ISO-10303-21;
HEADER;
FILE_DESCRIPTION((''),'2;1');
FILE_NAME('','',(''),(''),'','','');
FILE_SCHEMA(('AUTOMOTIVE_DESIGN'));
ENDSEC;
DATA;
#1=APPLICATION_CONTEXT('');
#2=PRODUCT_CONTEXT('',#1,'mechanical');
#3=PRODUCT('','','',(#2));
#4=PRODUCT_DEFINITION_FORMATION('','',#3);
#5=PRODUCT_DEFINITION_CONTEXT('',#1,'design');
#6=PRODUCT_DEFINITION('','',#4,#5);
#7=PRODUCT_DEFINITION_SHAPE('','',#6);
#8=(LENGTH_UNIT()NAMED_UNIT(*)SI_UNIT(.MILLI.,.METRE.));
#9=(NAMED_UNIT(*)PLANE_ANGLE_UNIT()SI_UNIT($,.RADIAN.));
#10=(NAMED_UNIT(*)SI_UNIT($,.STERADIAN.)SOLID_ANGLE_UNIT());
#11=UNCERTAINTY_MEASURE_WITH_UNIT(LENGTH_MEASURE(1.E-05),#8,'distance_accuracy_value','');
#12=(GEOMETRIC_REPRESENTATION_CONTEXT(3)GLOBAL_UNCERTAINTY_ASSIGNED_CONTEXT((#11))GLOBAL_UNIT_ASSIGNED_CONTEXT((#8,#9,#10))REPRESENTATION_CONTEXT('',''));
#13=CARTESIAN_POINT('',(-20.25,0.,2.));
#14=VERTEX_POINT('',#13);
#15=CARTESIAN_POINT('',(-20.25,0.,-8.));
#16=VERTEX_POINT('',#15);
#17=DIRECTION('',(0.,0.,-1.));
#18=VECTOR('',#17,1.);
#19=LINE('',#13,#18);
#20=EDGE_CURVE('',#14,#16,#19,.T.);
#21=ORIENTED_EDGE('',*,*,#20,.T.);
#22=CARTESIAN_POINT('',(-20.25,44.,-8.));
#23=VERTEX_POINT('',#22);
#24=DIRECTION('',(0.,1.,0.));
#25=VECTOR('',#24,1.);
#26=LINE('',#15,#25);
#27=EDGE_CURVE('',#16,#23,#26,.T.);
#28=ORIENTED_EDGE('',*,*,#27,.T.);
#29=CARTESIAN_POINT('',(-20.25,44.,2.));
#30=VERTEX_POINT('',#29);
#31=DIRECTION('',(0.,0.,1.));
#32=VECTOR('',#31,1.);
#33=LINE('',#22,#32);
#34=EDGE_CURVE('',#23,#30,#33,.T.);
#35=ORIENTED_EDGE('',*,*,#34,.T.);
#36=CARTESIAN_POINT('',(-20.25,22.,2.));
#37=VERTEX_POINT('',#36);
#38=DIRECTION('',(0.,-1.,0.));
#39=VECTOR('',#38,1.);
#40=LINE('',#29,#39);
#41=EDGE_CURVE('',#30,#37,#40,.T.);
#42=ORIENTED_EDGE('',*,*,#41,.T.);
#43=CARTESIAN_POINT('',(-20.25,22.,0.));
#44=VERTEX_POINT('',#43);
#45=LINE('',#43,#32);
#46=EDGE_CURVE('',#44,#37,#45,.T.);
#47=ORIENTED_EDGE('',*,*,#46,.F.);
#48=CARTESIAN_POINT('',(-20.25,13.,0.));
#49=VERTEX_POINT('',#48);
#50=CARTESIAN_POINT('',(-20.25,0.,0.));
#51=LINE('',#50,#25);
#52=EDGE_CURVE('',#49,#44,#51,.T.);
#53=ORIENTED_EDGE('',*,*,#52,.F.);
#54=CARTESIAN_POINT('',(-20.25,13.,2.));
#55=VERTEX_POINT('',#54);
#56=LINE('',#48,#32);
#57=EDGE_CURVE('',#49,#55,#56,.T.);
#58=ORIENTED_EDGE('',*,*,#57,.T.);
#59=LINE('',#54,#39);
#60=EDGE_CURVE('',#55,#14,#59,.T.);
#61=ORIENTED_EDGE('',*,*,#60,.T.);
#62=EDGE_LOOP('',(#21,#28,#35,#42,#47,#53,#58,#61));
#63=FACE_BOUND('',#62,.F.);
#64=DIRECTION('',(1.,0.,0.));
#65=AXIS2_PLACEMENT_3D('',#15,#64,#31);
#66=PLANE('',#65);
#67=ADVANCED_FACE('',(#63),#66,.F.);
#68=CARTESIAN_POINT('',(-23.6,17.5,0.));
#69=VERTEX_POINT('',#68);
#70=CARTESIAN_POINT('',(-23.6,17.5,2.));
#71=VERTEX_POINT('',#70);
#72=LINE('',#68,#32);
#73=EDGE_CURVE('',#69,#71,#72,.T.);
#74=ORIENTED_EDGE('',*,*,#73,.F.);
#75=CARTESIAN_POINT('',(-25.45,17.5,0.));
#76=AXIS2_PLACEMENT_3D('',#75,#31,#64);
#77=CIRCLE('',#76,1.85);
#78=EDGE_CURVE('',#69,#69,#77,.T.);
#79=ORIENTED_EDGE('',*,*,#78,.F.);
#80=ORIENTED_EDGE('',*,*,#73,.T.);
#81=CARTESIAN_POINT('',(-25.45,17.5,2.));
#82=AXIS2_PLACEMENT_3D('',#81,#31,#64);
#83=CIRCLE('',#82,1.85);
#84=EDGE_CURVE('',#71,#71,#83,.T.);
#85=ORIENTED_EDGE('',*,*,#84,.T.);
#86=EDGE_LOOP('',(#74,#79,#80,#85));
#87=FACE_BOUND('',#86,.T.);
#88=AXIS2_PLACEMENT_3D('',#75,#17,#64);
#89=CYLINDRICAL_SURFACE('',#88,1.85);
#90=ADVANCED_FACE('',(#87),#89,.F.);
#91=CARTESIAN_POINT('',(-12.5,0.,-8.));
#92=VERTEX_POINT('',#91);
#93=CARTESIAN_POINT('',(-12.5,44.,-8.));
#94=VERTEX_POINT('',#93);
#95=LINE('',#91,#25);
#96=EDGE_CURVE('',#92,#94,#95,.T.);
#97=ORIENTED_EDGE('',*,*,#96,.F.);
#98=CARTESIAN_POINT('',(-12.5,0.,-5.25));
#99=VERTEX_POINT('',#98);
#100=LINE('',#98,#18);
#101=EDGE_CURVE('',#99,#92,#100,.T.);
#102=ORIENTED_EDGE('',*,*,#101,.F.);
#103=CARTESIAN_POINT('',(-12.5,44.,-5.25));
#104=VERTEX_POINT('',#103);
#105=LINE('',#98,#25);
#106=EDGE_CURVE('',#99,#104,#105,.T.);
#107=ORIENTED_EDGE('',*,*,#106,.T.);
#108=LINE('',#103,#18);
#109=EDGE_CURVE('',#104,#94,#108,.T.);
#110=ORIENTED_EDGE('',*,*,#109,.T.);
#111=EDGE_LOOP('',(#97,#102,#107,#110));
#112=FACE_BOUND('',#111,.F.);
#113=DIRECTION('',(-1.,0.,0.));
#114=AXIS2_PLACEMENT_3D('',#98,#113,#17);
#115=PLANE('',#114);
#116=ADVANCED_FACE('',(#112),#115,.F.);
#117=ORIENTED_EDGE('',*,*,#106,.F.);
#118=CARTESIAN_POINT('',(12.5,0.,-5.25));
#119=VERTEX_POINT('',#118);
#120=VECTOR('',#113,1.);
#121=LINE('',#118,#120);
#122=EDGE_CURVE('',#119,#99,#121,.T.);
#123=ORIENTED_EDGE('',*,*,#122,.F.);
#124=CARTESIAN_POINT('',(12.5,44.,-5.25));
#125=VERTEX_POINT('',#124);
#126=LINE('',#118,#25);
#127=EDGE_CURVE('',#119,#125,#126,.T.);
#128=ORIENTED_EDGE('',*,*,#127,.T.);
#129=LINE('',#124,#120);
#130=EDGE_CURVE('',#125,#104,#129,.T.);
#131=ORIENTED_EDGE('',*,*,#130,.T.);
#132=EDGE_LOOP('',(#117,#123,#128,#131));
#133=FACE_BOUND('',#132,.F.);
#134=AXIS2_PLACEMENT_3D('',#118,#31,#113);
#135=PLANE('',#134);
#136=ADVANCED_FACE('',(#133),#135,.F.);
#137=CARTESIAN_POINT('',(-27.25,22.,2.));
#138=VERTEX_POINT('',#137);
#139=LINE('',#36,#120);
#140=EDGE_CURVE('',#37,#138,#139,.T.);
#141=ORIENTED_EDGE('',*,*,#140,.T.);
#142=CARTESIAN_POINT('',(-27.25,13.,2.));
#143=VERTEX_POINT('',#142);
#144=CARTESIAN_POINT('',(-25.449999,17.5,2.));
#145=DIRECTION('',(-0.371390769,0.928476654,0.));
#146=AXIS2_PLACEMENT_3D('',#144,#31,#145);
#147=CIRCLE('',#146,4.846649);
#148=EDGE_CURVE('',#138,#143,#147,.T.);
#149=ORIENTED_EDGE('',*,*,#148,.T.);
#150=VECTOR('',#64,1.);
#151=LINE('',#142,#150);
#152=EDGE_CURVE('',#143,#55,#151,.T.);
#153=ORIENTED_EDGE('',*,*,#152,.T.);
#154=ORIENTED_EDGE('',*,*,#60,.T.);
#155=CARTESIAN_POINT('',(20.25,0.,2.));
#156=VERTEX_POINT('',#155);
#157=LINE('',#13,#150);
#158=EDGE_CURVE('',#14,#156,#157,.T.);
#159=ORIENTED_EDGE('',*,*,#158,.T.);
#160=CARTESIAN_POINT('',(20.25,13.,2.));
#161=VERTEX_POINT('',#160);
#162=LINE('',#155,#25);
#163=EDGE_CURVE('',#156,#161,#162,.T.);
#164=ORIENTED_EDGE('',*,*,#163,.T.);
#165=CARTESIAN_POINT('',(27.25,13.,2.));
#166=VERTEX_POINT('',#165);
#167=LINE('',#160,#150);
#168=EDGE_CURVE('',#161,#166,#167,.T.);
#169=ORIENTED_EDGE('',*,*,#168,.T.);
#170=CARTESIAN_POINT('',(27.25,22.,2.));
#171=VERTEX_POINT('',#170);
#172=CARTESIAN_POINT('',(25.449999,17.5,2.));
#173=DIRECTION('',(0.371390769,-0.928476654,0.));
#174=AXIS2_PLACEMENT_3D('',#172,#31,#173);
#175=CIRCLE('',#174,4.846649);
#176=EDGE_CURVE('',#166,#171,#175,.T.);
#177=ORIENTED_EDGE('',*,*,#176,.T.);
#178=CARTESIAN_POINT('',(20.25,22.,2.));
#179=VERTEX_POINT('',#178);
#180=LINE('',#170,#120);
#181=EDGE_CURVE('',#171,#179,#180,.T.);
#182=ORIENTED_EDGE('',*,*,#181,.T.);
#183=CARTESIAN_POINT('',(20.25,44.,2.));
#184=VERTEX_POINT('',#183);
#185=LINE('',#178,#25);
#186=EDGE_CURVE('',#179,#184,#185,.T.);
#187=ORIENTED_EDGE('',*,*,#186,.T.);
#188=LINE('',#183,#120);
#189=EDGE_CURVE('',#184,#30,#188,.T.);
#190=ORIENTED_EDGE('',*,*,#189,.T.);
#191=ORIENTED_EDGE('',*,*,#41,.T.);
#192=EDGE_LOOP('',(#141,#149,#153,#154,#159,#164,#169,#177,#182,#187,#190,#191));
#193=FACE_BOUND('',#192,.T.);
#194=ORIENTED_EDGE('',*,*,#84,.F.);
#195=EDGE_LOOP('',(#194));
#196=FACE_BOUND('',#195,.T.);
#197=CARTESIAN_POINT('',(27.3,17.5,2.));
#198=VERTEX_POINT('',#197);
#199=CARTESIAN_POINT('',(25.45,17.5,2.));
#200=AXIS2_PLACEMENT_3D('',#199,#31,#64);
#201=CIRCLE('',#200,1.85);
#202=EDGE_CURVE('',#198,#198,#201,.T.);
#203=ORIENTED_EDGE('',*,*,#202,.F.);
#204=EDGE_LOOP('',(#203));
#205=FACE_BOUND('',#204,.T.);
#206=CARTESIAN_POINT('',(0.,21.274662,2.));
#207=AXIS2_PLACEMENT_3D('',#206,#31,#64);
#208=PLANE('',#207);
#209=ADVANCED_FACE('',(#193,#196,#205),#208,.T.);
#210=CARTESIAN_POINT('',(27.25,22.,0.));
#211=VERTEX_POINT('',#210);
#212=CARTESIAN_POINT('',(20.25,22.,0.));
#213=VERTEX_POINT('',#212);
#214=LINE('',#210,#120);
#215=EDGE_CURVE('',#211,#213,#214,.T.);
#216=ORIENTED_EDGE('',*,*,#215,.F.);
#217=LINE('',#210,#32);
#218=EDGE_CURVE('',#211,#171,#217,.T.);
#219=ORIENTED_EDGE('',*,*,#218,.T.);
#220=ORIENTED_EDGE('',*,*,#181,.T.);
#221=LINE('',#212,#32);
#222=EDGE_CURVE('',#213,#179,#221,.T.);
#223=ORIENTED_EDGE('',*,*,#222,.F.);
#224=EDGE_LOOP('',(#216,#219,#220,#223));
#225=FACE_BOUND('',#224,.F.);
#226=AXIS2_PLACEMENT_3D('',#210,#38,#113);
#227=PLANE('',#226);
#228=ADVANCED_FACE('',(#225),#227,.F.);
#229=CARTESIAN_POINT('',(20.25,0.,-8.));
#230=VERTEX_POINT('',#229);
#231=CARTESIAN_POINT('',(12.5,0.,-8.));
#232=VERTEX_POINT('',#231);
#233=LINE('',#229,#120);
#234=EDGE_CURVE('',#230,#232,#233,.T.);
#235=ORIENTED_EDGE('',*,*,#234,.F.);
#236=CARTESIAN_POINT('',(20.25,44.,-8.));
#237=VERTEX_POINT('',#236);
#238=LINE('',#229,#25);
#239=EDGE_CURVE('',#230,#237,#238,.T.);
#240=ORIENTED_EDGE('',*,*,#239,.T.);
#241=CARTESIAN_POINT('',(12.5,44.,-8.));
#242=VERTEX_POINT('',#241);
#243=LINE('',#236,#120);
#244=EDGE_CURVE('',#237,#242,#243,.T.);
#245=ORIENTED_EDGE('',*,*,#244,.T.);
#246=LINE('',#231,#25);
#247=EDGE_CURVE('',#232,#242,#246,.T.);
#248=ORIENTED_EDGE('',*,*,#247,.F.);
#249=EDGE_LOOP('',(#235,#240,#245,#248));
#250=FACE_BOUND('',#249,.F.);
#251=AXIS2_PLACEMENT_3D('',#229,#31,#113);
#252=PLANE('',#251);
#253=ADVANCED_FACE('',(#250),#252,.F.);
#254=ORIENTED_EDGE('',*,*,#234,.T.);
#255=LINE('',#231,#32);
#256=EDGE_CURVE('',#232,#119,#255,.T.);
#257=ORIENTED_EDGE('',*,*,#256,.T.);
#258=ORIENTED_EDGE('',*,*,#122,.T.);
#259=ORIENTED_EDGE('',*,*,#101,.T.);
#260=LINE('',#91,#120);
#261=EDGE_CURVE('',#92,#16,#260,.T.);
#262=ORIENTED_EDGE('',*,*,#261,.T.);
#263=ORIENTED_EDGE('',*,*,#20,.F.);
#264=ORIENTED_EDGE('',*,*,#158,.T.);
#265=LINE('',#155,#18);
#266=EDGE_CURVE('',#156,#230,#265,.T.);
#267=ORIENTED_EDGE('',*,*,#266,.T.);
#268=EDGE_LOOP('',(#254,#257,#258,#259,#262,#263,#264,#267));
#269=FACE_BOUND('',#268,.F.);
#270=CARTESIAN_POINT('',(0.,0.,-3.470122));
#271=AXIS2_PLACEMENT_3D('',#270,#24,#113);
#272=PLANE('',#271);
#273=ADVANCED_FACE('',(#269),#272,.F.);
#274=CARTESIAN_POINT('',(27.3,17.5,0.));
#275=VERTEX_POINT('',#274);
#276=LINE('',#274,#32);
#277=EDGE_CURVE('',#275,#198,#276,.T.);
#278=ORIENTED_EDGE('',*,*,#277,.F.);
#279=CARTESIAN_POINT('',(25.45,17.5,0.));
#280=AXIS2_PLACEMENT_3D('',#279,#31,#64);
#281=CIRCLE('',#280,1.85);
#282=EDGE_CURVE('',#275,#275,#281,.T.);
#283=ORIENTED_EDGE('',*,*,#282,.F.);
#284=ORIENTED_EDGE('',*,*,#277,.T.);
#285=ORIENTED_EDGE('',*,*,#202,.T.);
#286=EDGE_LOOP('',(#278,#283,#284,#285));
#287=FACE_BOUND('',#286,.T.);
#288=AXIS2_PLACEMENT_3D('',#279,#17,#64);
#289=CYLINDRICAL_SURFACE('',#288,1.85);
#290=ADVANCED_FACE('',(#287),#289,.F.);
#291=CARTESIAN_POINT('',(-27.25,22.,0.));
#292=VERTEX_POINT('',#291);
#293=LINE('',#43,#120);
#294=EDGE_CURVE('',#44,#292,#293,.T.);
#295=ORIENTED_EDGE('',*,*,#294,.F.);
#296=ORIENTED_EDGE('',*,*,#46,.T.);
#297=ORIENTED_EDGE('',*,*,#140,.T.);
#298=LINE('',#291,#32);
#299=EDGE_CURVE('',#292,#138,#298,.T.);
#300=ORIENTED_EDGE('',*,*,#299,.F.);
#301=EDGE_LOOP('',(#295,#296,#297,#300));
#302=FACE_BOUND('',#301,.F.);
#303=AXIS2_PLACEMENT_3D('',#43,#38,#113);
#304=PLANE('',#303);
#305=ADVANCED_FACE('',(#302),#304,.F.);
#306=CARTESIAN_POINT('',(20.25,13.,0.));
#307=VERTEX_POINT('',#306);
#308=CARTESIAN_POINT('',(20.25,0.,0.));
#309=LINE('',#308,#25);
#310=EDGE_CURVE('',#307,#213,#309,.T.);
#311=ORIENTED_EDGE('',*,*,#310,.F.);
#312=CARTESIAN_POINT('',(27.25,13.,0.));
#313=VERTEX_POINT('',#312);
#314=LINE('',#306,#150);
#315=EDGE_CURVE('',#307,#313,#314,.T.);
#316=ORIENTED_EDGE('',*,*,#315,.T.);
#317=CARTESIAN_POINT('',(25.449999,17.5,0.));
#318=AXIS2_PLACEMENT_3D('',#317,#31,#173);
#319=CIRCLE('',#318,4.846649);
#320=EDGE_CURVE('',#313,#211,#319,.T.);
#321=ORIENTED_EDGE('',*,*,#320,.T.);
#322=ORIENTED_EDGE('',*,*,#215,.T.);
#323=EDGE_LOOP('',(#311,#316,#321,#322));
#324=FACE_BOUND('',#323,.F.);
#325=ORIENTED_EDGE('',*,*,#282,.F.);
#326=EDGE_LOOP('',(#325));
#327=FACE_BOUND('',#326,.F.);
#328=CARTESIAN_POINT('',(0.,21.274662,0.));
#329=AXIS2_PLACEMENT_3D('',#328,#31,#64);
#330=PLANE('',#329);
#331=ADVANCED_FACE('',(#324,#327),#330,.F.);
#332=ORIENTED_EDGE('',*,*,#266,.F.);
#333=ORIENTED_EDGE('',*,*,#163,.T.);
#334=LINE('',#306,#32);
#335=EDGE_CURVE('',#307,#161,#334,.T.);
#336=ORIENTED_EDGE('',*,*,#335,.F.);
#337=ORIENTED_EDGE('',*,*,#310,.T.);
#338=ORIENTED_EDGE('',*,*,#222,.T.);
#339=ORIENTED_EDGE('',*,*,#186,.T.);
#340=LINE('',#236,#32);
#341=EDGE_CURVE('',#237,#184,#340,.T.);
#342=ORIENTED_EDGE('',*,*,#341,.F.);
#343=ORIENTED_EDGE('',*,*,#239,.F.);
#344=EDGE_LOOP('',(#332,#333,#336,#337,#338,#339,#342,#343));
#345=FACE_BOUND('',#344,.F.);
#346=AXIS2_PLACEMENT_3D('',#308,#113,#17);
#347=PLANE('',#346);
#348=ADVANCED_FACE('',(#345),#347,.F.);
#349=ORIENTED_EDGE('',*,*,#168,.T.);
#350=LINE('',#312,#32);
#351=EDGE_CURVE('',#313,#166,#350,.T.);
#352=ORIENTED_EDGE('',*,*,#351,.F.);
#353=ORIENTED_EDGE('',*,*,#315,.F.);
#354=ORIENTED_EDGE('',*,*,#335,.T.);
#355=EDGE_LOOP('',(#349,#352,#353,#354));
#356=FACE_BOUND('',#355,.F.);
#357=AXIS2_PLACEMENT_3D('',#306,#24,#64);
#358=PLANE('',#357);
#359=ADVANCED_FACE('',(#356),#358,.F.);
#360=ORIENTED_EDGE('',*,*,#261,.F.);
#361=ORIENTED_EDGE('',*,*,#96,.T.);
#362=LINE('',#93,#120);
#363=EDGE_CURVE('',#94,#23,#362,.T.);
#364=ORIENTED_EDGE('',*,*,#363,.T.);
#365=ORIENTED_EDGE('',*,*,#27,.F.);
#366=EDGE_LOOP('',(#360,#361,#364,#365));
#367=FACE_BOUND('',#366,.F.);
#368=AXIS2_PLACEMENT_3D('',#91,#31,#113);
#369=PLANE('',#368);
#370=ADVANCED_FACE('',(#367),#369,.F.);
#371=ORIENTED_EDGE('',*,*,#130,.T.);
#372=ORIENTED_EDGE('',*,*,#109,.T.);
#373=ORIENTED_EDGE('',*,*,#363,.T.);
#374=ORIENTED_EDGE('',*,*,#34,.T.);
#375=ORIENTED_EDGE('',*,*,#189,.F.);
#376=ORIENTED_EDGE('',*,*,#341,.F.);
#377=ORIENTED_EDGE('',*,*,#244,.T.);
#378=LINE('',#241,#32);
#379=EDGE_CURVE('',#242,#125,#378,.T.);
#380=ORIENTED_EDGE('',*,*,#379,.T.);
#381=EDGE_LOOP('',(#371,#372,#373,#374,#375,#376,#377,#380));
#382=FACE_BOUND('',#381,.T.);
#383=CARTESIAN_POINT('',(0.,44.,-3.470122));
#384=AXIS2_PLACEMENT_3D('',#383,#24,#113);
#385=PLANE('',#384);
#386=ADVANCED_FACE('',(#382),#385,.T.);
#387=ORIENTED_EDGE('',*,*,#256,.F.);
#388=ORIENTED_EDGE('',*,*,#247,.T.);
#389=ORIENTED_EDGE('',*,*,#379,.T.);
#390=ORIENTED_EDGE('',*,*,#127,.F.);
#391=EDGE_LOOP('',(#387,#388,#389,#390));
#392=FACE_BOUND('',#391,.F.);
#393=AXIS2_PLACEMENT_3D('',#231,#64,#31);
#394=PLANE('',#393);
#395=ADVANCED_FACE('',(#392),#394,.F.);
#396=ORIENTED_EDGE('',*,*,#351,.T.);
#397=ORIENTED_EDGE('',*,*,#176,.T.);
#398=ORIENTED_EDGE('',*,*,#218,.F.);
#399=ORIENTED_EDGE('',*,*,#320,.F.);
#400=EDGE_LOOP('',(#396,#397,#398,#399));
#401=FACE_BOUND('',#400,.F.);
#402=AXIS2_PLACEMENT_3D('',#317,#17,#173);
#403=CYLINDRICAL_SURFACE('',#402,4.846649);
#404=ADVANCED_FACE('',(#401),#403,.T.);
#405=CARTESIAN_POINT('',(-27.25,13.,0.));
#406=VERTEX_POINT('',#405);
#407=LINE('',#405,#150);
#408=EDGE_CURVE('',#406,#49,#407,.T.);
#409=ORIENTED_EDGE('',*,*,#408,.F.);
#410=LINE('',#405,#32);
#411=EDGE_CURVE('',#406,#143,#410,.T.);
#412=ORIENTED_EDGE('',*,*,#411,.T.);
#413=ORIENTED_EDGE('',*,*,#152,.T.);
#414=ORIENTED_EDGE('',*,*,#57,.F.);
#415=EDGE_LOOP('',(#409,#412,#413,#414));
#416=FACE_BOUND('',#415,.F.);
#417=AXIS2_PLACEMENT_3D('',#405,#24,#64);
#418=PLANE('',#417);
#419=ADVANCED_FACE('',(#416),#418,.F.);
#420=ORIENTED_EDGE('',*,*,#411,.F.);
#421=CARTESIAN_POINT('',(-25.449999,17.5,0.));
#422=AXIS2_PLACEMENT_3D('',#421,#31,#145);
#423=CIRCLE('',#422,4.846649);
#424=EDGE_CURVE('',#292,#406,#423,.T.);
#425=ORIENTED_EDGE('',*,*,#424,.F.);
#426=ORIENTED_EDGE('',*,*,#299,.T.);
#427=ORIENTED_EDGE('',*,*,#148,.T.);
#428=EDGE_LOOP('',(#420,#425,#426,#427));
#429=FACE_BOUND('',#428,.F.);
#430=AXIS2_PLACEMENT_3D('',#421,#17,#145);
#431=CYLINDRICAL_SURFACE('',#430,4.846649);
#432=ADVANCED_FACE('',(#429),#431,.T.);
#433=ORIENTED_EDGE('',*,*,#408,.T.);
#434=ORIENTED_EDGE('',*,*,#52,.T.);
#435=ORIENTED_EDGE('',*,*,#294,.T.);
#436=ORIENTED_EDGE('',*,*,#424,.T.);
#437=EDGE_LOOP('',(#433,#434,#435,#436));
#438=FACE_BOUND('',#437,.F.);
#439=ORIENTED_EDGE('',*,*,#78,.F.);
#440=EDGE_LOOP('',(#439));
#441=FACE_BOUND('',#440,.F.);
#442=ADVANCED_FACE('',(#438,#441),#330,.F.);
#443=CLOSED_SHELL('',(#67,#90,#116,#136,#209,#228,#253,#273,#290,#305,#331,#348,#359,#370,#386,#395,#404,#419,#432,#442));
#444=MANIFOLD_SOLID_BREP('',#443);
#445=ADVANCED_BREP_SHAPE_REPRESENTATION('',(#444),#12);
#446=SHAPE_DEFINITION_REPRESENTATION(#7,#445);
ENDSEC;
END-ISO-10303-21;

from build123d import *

# Parameters (mm, degrees)
EXTRUDE001_DEPTH                     = 44
EXTRUDE001_ONTO_SKETCH001_ROLL_ANGLE = 90
SKETCH_R                             = 1.85
EXTRUDE_DEPTH                        = 2


with BuildPart() as extrude001:
    # Sketch001 as drawn → Extrude001 (new)
    with BuildSketch(Plane.XY):
        Polygon((-20.25, 0), (20.25, 0), (20.25, -8), (12.5, -8), (12.5, -5.25), (-12.5, -5.25), (-12.5, -8), (-20.25, -8), align=None)
    extrude(amount=-EXTRUDE001_DEPTH)


with BuildPart() as extrude001_1:
    # Extrude001 onto Sketch001 roll: moved
    add(extrude001.part.rotate(Axis((0, 0, 0), (1, 0, 0)), EXTRUDE001_ONTO_SKETCH001_ROLL_ANGLE))


with BuildPart() as extrude001_2:
    # Extrude001 onto Sketch001 placement: moved
    add(extrude001_1.part)


with BuildPart() as fusion:
    # Sketch → Extrude (new body)
    with BuildSketch(Plane.XY):
        with BuildLine():
            Line((-20.25, 44), (-20.25, 22))
            Line((-20.25, 22), (-27.25, 22))
            ThreePointArc((-27.25, 22), (-30.296648, 17.5), (-27.25, 13))
            Line((-27.25, 13), (-20.25, 13))
            Line((-20.25, 13), (-20.25, 0))
            Line((-20.25, 0), (20.25, 0))
            Line((20.25, 0), (20.25, 13))
            Line((20.25, 13), (27.25, 13))
            ThreePointArc((27.25, 13), (30.296648, 17.5), (27.25, 22))
            Line((27.25, 22), (20.25, 22))
            Line((20.25, 22), (20.25, 44))
            Line((20.25, 44), (-20.25, 44))
        make_face()
        with Locations((-25.45, 17.5)):
            Circle(SKETCH_R, mode=Mode.SUBTRACT)
        with Locations((25.45, 17.5)):
            Circle(SKETCH_R, mode=Mode.SUBTRACT)
    extrude(amount=EXTRUDE_DEPTH)

    # Fusion: union Extrude001
    add(extrude001_2.part)


solid = fusion.part
